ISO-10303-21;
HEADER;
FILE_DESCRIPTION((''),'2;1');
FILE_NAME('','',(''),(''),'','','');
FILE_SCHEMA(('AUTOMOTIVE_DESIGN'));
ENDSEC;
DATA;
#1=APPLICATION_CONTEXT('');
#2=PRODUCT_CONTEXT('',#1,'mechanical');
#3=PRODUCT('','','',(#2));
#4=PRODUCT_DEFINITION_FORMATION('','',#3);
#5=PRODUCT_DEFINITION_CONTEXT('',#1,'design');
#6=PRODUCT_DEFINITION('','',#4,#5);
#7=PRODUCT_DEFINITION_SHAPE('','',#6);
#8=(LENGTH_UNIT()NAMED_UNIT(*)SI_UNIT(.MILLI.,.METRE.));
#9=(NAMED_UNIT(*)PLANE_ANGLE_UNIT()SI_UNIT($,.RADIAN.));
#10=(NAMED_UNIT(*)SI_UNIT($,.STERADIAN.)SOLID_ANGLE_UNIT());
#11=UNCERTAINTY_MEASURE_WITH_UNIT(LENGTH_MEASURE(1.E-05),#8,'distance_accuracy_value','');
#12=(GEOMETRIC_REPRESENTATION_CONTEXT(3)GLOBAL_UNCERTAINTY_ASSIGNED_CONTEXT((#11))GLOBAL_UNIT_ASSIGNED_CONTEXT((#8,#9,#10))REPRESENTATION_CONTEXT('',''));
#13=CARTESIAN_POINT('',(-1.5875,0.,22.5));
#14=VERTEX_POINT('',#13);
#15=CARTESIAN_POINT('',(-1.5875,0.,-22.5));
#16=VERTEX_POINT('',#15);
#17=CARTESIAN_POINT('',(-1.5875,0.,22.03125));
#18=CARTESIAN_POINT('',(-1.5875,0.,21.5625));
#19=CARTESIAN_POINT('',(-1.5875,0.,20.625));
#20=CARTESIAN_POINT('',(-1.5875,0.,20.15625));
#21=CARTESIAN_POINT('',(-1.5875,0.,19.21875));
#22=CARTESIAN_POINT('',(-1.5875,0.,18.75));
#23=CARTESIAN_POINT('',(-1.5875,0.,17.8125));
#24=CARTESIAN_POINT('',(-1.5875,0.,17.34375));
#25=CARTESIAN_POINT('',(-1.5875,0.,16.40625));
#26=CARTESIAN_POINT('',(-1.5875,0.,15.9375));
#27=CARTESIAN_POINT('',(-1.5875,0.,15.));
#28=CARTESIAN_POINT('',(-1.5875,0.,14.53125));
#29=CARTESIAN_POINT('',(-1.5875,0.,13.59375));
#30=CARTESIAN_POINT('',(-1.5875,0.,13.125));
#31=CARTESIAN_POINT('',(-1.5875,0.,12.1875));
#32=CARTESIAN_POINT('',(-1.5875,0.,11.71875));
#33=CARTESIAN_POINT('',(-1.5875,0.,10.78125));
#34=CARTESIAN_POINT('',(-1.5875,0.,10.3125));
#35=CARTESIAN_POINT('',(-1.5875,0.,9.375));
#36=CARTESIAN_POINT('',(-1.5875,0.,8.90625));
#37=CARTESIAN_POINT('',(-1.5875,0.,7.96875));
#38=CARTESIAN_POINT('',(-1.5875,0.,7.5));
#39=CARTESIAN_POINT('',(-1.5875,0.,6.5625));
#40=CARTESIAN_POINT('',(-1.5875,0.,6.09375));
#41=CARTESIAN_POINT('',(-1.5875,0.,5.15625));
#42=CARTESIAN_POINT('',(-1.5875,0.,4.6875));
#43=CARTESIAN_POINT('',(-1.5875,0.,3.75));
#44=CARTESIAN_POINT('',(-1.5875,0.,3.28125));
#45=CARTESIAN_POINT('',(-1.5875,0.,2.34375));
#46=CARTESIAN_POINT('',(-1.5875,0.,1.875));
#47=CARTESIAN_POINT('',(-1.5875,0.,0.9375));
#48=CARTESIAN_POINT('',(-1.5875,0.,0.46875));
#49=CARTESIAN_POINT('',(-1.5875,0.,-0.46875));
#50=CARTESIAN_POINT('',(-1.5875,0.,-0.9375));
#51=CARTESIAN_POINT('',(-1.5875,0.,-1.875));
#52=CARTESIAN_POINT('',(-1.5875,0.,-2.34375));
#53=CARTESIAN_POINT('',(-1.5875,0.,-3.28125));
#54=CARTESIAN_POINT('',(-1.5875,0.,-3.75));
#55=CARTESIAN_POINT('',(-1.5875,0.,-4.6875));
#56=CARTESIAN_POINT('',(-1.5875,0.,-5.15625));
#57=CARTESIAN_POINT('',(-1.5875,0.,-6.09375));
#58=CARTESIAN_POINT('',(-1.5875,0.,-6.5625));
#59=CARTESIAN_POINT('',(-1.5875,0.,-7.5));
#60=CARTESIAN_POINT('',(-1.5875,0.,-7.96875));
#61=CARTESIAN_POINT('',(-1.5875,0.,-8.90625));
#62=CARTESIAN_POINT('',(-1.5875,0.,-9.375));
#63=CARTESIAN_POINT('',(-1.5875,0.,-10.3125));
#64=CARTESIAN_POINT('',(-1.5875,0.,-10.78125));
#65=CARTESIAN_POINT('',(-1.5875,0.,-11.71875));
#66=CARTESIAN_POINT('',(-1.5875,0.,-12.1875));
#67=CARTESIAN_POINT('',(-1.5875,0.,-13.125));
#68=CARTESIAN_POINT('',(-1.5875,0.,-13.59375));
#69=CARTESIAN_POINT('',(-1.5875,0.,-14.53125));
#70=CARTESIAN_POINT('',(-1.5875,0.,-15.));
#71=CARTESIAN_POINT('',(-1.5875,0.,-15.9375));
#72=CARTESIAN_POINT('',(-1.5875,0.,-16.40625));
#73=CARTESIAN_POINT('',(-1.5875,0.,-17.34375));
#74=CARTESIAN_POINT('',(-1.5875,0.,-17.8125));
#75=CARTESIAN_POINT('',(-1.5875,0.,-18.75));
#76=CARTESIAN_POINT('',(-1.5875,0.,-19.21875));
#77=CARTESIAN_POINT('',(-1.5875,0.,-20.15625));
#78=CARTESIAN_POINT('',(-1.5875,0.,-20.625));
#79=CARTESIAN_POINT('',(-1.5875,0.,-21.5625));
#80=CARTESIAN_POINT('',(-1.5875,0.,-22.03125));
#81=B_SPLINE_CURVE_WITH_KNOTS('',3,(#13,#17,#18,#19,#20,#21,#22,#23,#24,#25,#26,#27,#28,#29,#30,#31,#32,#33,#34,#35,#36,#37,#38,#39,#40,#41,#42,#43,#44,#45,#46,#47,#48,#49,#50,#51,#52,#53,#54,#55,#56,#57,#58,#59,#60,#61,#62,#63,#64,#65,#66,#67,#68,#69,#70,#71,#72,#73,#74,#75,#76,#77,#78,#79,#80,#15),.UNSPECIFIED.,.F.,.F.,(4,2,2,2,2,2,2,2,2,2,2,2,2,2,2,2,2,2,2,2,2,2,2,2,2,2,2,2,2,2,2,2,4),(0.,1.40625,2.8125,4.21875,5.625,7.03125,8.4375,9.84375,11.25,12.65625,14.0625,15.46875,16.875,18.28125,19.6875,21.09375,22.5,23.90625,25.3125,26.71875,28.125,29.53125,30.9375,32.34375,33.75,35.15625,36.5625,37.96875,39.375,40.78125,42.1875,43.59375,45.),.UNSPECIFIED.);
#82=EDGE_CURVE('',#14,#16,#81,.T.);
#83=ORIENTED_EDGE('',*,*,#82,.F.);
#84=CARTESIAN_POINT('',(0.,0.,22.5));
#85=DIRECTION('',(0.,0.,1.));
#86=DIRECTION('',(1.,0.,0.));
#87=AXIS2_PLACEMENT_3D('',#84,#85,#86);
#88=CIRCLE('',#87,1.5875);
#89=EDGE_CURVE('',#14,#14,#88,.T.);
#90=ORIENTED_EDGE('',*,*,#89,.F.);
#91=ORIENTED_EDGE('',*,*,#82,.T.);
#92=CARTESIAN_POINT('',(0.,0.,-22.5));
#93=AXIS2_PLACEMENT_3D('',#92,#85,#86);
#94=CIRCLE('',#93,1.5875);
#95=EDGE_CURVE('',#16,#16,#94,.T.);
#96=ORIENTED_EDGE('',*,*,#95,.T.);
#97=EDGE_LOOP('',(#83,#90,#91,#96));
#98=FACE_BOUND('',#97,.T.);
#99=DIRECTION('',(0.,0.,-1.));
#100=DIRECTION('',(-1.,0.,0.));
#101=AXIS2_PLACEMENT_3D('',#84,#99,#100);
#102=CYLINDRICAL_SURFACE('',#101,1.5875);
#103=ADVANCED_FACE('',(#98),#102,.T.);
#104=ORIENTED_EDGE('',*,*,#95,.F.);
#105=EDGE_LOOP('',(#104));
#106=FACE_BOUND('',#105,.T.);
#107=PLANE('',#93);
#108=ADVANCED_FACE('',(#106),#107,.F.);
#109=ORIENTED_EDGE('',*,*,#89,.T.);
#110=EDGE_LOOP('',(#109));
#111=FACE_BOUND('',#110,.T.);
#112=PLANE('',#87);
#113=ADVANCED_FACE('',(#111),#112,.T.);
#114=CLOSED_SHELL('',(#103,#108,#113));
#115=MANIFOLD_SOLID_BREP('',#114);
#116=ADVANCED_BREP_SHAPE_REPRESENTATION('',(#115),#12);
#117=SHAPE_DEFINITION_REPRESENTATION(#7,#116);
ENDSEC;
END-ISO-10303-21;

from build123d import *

# Parameters (mm, degrees)
SKETCH1_R           = 1.5875
BOSS_EXTRUDE1_DEPTH = 22.5


with BuildPart() as part:
    # Sketch1 → Boss-Extrude1 (new, symmetric)
    with BuildSketch(Plane.XY):
        with Locations(Location((0, 0, 0), (0, 0, 180))):
            Circle(SKETCH1_R)
    extrude(amount=BOSS_EXTRUDE1_DEPTH, both=True)


solid = part.part
